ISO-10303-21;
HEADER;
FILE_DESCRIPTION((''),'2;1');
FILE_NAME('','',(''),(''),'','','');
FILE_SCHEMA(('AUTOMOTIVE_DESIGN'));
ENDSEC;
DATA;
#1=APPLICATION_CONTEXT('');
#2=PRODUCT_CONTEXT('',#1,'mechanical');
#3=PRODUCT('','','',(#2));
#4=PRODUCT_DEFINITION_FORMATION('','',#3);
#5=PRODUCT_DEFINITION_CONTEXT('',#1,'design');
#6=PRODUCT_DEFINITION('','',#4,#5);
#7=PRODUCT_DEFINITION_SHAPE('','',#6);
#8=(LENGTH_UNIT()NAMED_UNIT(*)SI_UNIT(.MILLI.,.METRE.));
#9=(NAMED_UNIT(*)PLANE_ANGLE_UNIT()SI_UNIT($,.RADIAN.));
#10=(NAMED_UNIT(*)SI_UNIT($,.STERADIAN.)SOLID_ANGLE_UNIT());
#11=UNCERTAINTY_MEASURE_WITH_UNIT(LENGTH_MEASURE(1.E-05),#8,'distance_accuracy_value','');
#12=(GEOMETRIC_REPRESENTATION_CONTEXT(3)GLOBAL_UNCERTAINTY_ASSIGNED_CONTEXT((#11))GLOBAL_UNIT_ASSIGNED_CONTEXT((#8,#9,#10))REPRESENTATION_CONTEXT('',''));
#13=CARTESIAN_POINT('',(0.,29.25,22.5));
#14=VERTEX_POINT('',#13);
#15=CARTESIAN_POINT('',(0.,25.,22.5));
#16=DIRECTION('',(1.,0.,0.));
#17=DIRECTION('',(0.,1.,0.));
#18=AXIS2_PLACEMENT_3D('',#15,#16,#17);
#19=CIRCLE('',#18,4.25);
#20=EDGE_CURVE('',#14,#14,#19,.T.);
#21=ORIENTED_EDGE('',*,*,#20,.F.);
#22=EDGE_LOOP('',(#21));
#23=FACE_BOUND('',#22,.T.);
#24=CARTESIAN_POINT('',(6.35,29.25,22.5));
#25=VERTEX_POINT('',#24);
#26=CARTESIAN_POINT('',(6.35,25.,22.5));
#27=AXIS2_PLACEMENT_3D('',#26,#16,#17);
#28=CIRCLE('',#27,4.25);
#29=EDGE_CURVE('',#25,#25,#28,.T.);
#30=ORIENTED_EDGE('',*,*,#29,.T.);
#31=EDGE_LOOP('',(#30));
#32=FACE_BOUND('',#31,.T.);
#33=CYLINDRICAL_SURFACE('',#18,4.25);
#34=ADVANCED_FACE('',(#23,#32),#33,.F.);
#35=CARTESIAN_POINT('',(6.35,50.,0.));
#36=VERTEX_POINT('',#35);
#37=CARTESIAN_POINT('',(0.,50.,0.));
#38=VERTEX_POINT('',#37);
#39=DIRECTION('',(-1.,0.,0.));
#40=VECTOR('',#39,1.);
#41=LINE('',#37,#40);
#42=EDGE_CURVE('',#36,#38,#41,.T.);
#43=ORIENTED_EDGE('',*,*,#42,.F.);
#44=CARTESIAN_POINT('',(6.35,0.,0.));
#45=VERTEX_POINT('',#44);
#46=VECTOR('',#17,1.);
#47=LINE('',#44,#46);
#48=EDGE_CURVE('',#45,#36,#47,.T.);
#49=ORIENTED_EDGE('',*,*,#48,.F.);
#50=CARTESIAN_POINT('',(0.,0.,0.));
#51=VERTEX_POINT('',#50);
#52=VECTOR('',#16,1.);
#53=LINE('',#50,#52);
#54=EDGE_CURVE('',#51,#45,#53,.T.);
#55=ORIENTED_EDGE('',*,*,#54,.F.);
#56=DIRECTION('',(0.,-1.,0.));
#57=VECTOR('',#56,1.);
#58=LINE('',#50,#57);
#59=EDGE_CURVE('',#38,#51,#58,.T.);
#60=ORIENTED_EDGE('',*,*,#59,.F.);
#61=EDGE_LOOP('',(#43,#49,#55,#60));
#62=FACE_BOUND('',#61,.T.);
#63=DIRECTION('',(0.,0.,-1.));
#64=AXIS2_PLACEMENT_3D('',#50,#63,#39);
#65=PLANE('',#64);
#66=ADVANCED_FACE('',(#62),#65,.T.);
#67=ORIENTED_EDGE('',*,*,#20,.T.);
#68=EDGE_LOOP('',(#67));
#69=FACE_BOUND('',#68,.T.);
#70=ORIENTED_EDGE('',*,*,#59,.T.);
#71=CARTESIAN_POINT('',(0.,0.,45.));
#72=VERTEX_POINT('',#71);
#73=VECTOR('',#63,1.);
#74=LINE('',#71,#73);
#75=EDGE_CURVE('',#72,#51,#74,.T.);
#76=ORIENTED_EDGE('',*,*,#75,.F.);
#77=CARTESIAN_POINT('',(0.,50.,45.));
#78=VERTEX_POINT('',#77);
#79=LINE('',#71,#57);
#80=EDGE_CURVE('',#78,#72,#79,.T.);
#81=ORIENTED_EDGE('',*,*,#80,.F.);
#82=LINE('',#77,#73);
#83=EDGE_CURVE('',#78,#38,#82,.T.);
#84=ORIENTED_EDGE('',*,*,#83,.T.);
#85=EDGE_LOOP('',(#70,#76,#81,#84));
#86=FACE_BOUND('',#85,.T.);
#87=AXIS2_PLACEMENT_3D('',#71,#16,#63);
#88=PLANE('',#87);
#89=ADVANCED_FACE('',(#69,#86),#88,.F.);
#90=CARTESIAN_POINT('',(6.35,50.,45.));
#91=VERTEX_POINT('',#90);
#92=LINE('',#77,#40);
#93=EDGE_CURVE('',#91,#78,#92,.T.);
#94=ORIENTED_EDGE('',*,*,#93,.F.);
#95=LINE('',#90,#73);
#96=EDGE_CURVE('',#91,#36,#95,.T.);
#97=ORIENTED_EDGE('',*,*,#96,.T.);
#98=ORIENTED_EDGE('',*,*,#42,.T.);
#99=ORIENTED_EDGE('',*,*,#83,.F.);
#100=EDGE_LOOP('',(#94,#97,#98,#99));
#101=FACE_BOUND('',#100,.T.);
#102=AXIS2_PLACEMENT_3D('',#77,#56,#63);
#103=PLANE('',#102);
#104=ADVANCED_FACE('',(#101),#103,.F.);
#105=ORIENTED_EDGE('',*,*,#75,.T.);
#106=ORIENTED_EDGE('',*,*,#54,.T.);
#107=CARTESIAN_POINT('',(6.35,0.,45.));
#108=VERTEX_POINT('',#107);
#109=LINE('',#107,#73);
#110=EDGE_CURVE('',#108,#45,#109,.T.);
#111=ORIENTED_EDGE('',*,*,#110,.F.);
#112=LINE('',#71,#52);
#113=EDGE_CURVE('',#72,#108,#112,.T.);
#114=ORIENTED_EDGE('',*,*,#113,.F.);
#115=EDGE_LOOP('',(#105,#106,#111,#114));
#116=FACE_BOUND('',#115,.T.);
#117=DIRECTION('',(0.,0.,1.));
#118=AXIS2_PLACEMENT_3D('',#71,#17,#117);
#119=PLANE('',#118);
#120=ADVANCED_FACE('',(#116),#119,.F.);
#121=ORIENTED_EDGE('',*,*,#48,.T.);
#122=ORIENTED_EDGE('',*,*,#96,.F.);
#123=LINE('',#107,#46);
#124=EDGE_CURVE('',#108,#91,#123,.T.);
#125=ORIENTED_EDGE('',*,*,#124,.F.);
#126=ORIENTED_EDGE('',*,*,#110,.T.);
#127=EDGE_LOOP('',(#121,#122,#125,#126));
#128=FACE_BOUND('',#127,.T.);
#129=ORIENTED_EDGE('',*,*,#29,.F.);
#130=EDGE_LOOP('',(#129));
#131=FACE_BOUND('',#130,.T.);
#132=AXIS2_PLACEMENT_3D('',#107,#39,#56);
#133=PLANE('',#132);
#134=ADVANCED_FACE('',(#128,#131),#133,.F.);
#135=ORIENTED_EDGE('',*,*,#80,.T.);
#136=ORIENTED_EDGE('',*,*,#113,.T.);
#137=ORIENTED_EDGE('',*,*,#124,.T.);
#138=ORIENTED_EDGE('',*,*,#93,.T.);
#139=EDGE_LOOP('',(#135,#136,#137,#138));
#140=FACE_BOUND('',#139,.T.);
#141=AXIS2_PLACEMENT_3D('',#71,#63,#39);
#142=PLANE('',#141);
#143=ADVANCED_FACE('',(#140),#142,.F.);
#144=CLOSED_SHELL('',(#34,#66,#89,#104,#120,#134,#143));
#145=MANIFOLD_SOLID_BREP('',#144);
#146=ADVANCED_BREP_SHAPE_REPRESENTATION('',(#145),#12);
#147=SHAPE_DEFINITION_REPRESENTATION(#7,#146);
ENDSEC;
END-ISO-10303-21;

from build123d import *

# Parameters (mm, degrees)
SKETCH3_W           = 6.35
SKETCH3_H           = 50
BOSS_EXTRUDE2_DEPTH = 45
SKETCH4_R           = 4.25
CUT_EXTRUDE1_DEPTH  = 7.35


with BuildPart() as part:
    # Sketch3 → Boss-Extrude2 (new body)
    with BuildSketch(Plane.XY):
        with Locations((3.175, 25)):
            Rectangle(SKETCH3_W, SKETCH3_H)
    extrude(amount=BOSS_EXTRUDE2_DEPTH)

    # Sketch4 → Cut-Extrude1 (cut, through all)
    with BuildSketch(Plane(origin=(6.35, 0, 0), x_dir=(0, 0, -1), z_dir=(1, 0, 0))):
        with Locations((-22.5, 25)):
            Circle(SKETCH4_R)
    extrude(amount=-CUT_EXTRUDE1_DEPTH, mode=Mode.SUBTRACT)


solid = part.part
